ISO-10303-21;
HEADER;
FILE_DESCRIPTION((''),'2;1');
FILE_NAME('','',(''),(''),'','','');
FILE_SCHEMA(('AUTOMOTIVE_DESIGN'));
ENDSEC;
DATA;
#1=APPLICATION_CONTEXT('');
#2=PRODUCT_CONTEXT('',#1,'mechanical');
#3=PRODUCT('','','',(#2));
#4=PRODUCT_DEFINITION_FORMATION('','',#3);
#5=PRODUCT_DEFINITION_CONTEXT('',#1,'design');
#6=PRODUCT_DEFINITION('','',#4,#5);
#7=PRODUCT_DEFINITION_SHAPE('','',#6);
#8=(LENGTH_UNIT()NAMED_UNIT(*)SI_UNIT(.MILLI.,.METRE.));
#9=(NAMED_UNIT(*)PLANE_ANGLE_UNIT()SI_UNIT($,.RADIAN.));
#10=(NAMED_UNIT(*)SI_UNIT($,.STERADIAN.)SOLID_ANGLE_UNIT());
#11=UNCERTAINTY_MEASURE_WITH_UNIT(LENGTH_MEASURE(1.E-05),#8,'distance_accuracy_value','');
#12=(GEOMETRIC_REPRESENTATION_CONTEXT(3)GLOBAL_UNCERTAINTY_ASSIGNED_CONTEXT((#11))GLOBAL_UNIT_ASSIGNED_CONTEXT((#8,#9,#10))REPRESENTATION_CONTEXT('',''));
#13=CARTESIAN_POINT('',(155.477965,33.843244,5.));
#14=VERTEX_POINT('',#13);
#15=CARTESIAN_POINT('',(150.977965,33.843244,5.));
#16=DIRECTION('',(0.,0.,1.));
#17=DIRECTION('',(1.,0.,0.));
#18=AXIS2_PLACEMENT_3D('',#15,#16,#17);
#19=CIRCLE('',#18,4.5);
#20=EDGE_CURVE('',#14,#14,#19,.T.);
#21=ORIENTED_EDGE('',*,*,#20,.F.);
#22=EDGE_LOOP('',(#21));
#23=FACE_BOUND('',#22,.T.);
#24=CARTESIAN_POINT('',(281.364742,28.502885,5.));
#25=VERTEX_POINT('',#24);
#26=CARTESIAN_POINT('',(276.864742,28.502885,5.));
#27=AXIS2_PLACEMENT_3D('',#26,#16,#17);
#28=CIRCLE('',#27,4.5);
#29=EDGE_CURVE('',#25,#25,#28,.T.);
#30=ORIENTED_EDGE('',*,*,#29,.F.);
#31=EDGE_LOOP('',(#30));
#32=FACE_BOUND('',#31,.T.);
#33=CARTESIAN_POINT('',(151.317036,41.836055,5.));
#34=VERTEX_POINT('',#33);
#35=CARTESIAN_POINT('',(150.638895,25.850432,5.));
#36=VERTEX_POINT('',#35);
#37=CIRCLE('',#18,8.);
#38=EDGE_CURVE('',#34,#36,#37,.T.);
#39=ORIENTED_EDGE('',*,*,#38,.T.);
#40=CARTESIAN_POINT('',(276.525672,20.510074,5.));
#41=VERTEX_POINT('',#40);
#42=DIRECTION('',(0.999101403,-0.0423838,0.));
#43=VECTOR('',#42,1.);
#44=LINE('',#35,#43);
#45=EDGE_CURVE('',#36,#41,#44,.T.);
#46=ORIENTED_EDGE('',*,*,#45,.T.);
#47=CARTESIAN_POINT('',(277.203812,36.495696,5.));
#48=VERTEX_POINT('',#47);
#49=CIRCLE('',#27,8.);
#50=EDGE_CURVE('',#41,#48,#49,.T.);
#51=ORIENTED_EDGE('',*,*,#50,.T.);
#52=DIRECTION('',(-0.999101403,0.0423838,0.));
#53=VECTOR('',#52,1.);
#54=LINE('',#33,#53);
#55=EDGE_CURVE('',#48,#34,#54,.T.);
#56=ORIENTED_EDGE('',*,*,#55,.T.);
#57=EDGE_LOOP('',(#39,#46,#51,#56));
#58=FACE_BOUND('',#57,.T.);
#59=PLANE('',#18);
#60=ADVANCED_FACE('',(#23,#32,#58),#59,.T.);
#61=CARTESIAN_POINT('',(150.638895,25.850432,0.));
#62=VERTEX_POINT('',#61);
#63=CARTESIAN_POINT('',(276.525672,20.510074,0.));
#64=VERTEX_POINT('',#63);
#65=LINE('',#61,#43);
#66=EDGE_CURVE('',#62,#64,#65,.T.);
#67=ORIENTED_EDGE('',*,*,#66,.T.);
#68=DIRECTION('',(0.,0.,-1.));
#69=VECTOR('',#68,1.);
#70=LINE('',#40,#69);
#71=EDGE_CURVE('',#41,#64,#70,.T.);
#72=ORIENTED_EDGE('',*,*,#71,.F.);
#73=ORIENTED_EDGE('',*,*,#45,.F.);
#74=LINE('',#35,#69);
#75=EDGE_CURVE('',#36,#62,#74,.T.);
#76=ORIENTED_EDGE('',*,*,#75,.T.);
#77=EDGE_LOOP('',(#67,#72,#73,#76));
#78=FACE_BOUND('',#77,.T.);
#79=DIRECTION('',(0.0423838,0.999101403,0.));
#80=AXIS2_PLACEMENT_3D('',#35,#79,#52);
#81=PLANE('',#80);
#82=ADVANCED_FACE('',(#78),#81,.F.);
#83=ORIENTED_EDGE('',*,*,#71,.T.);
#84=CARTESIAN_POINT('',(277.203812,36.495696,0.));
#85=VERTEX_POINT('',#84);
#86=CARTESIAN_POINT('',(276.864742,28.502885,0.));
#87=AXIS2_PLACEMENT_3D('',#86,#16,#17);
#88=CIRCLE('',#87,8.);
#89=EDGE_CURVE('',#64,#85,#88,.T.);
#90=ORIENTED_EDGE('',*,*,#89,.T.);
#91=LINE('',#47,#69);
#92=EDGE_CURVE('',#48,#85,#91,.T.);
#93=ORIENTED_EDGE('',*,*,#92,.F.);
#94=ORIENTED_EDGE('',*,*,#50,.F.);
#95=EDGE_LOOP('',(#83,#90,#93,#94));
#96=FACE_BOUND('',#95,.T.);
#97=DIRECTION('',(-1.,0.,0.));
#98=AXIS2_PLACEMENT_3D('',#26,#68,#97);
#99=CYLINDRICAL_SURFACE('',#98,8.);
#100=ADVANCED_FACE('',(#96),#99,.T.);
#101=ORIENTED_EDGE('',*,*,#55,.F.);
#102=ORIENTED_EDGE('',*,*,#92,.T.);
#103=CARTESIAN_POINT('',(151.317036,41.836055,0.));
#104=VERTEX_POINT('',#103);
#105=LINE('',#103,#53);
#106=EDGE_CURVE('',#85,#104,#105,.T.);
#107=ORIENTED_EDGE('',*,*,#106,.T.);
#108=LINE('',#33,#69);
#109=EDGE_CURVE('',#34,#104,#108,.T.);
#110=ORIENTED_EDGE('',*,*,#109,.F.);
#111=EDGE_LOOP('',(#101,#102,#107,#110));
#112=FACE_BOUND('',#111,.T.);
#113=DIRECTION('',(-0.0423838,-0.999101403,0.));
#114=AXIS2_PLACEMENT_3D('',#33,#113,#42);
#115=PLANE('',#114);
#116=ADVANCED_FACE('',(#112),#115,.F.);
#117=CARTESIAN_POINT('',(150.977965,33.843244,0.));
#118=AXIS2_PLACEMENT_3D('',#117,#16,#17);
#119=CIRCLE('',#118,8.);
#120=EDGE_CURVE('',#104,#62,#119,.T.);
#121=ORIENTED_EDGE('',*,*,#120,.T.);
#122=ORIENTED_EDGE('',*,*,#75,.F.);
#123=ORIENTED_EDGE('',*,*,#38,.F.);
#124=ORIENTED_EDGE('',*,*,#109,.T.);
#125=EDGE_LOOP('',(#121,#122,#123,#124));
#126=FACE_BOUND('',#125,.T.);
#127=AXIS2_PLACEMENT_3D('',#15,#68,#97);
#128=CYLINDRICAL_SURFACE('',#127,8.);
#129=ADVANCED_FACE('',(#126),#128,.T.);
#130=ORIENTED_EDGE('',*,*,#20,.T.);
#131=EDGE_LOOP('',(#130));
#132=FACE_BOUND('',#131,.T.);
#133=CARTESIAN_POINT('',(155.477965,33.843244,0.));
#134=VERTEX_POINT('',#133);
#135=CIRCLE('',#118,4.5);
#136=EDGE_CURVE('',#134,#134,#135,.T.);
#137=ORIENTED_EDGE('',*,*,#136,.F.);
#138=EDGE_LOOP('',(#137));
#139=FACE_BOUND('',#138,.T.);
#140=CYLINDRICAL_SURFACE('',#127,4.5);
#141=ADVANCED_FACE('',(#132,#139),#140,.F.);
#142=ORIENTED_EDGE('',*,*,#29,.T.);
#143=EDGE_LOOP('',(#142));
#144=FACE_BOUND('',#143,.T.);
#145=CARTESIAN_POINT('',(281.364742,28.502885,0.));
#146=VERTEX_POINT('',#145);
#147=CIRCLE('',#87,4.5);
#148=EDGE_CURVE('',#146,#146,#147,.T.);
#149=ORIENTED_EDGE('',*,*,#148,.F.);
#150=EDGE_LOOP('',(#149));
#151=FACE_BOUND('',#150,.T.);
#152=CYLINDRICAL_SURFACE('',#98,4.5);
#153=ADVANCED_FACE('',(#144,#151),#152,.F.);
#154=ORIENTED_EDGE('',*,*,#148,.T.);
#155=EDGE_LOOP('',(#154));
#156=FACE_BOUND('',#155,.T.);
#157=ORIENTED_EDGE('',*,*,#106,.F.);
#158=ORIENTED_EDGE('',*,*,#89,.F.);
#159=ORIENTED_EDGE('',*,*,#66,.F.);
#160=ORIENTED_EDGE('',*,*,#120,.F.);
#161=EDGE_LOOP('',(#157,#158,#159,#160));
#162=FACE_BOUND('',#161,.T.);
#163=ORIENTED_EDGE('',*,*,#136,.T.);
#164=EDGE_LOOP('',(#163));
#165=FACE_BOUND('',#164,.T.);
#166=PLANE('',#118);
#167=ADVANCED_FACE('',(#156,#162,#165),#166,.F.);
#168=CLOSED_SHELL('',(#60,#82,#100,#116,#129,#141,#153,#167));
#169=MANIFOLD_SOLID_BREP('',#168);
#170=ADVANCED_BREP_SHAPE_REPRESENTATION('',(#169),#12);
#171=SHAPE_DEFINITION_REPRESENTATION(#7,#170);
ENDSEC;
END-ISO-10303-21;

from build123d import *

# Parameters (mm, degrees)
SKETCH_1_R      = 4.5
EXTRUDE_1_DEPTH = 5


with BuildPart() as part:
    # 草图1 → 凸台-拉伸1 (new body)
    with BuildSketch(Plane.XY):
        with BuildLine():
            Line((151.317035713, 41.836054816), (277.203812492, 36.495696009))
            ThreePointArc((277.203812492, 36.495696009), (284.857553315, 28.163814384), (276.525671691, 20.510073561))
            Line((276.525671691, 20.510073561), (150.638894912, 25.850432368))
            ThreePointArc((150.638894912, 25.850432368), (142.985154088, 34.182313992), (151.317035713, 41.836054816))
        make_face()
        with Locations((150.977965312, 33.843243592)):
            Circle(SKETCH_1_R, mode=Mode.SUBTRACT)
        with Locations((276.864742091, 28.502884785)):
            Circle(SKETCH_1_R, mode=Mode.SUBTRACT)
    extrude(amount=EXTRUDE_1_DEPTH)


solid = part.part
